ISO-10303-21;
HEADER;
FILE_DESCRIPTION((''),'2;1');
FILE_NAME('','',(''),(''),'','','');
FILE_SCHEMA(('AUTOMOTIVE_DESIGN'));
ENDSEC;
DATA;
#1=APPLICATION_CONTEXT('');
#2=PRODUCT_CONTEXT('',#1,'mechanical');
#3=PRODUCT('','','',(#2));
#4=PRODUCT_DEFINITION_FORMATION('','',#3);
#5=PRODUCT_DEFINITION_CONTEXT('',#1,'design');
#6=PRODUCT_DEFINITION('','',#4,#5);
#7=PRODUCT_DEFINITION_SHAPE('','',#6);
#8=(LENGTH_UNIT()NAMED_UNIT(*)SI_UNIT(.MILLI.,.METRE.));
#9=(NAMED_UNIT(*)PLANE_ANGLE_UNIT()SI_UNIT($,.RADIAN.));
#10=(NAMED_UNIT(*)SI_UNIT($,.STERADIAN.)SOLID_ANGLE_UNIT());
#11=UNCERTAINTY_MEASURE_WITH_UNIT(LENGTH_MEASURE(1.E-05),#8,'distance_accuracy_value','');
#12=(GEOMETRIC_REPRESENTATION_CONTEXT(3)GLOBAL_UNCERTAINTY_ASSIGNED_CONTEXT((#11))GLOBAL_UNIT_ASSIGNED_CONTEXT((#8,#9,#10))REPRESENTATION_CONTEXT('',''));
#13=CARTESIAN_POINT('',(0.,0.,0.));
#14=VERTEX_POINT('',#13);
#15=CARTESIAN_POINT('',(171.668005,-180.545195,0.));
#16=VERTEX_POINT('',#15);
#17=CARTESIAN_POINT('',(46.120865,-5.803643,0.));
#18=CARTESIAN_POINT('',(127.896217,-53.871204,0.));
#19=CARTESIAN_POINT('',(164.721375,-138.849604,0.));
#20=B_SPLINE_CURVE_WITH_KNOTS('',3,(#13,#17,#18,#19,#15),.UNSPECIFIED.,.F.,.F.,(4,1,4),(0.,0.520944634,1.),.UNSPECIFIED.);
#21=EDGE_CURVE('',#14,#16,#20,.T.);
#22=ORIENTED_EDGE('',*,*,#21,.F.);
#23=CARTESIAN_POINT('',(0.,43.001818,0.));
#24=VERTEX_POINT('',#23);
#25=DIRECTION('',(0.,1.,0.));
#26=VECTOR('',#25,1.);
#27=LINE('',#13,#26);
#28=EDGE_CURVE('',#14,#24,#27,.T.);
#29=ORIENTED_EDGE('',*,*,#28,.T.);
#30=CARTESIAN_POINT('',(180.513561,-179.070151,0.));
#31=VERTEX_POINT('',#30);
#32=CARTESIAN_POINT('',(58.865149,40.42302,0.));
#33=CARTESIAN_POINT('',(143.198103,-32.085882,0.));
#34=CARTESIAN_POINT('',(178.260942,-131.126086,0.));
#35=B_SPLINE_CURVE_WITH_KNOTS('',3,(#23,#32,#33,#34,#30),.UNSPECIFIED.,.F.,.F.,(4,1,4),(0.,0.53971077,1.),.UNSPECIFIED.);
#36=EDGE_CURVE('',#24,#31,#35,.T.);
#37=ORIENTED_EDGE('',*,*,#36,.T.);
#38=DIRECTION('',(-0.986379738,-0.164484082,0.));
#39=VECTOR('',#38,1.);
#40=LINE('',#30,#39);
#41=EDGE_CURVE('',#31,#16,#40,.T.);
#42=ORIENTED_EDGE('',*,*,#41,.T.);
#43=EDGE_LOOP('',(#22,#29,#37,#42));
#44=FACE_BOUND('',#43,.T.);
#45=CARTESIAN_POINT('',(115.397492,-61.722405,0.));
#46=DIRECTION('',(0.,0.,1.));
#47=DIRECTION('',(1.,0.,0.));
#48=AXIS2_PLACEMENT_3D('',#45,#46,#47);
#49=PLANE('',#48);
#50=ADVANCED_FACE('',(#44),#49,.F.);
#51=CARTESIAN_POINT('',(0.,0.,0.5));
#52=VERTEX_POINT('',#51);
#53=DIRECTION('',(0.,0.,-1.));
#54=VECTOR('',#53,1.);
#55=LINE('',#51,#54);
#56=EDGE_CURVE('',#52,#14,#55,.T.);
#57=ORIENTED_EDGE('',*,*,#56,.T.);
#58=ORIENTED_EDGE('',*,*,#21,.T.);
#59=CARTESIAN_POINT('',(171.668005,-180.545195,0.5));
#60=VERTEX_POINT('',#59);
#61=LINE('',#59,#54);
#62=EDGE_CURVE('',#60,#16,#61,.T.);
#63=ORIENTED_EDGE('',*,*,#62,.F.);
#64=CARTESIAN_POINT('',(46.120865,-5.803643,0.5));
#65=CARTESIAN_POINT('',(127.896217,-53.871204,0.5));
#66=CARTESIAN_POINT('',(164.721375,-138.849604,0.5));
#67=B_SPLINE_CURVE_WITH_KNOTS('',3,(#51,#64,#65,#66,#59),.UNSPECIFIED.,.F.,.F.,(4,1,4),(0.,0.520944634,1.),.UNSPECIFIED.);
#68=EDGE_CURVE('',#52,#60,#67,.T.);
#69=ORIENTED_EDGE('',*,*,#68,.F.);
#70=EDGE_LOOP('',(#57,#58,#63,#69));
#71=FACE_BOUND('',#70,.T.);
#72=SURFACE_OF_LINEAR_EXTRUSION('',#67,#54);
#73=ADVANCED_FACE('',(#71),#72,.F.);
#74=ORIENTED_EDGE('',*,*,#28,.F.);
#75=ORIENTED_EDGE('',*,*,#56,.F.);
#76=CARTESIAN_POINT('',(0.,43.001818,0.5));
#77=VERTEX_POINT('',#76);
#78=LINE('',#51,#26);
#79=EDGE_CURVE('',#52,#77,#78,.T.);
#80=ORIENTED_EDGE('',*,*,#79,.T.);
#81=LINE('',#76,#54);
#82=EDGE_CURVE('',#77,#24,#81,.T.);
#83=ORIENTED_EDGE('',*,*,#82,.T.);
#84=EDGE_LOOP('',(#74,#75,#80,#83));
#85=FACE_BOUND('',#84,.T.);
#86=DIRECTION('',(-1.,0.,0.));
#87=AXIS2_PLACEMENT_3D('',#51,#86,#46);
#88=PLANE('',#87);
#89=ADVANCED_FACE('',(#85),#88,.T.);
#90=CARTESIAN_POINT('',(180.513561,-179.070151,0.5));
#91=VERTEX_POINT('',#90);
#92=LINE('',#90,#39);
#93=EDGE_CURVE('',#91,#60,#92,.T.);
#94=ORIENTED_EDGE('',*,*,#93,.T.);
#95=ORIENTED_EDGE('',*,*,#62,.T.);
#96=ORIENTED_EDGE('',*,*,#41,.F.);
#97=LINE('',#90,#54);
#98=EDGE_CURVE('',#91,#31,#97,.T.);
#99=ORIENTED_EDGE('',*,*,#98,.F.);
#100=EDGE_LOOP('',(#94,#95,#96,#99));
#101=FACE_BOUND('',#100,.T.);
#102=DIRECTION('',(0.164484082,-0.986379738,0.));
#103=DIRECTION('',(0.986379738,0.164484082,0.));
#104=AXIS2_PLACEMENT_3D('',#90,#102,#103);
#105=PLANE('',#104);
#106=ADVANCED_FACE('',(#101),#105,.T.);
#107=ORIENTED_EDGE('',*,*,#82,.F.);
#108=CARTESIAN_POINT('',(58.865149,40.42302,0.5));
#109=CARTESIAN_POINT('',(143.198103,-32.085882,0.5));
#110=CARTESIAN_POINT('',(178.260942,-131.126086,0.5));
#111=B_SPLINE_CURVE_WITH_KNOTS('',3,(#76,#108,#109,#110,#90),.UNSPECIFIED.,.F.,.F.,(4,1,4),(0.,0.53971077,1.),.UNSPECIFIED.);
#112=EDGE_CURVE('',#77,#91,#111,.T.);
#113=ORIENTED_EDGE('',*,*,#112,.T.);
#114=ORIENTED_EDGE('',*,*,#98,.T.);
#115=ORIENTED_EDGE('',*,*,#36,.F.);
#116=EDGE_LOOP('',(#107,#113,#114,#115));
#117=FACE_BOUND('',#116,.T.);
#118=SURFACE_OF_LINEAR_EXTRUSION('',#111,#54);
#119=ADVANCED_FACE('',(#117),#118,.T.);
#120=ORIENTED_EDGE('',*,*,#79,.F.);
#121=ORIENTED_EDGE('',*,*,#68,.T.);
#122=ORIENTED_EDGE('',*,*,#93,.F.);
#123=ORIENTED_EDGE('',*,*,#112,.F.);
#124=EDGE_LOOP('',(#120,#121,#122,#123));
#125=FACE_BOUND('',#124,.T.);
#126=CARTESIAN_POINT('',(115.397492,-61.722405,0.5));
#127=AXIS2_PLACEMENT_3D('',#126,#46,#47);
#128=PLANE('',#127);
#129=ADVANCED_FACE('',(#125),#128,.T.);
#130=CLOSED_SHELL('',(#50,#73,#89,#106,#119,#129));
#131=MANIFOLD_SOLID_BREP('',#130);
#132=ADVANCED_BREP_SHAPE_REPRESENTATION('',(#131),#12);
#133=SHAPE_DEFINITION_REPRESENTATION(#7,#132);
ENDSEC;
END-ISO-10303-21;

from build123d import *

# Parameters (mm, degrees)
BOSS_EXTRUDE1_DEPTH = 0.5


with BuildPart() as part:
    # Sketch1 → Boss-Extrude1 (new body)
    with BuildSketch(Plane.XY):
        with BuildLine():
            Line((0, 0), (0, 43.001818232))
            add(Edge.make_bspline(
                [(0, 43.001818232), (58.86514859, 40.423019823), (143.198103251, -32.085882035), (178.260941681, -131.126086471), (180.513560886, -179.070151115)],
                knots=[0, 0, 0, 0, 0.53971077, 1, 1, 1, 1], degree=3))
            Line((180.513560886, -179.070151115), (171.668005285, -180.545194688))
            add(Edge.make_bspline(
                [(0, 0), (46.120865415, -5.803642645), (127.896217096, -53.871203803), (164.721375091, -138.849603882), (171.668005285, -180.545194688)],
                knots=[0, 0, 0, 0, 0.520944634, 1, 1, 1, 1], degree=3))
        make_face()
    extrude(amount=BOSS_EXTRUDE1_DEPTH)


solid = part.part
